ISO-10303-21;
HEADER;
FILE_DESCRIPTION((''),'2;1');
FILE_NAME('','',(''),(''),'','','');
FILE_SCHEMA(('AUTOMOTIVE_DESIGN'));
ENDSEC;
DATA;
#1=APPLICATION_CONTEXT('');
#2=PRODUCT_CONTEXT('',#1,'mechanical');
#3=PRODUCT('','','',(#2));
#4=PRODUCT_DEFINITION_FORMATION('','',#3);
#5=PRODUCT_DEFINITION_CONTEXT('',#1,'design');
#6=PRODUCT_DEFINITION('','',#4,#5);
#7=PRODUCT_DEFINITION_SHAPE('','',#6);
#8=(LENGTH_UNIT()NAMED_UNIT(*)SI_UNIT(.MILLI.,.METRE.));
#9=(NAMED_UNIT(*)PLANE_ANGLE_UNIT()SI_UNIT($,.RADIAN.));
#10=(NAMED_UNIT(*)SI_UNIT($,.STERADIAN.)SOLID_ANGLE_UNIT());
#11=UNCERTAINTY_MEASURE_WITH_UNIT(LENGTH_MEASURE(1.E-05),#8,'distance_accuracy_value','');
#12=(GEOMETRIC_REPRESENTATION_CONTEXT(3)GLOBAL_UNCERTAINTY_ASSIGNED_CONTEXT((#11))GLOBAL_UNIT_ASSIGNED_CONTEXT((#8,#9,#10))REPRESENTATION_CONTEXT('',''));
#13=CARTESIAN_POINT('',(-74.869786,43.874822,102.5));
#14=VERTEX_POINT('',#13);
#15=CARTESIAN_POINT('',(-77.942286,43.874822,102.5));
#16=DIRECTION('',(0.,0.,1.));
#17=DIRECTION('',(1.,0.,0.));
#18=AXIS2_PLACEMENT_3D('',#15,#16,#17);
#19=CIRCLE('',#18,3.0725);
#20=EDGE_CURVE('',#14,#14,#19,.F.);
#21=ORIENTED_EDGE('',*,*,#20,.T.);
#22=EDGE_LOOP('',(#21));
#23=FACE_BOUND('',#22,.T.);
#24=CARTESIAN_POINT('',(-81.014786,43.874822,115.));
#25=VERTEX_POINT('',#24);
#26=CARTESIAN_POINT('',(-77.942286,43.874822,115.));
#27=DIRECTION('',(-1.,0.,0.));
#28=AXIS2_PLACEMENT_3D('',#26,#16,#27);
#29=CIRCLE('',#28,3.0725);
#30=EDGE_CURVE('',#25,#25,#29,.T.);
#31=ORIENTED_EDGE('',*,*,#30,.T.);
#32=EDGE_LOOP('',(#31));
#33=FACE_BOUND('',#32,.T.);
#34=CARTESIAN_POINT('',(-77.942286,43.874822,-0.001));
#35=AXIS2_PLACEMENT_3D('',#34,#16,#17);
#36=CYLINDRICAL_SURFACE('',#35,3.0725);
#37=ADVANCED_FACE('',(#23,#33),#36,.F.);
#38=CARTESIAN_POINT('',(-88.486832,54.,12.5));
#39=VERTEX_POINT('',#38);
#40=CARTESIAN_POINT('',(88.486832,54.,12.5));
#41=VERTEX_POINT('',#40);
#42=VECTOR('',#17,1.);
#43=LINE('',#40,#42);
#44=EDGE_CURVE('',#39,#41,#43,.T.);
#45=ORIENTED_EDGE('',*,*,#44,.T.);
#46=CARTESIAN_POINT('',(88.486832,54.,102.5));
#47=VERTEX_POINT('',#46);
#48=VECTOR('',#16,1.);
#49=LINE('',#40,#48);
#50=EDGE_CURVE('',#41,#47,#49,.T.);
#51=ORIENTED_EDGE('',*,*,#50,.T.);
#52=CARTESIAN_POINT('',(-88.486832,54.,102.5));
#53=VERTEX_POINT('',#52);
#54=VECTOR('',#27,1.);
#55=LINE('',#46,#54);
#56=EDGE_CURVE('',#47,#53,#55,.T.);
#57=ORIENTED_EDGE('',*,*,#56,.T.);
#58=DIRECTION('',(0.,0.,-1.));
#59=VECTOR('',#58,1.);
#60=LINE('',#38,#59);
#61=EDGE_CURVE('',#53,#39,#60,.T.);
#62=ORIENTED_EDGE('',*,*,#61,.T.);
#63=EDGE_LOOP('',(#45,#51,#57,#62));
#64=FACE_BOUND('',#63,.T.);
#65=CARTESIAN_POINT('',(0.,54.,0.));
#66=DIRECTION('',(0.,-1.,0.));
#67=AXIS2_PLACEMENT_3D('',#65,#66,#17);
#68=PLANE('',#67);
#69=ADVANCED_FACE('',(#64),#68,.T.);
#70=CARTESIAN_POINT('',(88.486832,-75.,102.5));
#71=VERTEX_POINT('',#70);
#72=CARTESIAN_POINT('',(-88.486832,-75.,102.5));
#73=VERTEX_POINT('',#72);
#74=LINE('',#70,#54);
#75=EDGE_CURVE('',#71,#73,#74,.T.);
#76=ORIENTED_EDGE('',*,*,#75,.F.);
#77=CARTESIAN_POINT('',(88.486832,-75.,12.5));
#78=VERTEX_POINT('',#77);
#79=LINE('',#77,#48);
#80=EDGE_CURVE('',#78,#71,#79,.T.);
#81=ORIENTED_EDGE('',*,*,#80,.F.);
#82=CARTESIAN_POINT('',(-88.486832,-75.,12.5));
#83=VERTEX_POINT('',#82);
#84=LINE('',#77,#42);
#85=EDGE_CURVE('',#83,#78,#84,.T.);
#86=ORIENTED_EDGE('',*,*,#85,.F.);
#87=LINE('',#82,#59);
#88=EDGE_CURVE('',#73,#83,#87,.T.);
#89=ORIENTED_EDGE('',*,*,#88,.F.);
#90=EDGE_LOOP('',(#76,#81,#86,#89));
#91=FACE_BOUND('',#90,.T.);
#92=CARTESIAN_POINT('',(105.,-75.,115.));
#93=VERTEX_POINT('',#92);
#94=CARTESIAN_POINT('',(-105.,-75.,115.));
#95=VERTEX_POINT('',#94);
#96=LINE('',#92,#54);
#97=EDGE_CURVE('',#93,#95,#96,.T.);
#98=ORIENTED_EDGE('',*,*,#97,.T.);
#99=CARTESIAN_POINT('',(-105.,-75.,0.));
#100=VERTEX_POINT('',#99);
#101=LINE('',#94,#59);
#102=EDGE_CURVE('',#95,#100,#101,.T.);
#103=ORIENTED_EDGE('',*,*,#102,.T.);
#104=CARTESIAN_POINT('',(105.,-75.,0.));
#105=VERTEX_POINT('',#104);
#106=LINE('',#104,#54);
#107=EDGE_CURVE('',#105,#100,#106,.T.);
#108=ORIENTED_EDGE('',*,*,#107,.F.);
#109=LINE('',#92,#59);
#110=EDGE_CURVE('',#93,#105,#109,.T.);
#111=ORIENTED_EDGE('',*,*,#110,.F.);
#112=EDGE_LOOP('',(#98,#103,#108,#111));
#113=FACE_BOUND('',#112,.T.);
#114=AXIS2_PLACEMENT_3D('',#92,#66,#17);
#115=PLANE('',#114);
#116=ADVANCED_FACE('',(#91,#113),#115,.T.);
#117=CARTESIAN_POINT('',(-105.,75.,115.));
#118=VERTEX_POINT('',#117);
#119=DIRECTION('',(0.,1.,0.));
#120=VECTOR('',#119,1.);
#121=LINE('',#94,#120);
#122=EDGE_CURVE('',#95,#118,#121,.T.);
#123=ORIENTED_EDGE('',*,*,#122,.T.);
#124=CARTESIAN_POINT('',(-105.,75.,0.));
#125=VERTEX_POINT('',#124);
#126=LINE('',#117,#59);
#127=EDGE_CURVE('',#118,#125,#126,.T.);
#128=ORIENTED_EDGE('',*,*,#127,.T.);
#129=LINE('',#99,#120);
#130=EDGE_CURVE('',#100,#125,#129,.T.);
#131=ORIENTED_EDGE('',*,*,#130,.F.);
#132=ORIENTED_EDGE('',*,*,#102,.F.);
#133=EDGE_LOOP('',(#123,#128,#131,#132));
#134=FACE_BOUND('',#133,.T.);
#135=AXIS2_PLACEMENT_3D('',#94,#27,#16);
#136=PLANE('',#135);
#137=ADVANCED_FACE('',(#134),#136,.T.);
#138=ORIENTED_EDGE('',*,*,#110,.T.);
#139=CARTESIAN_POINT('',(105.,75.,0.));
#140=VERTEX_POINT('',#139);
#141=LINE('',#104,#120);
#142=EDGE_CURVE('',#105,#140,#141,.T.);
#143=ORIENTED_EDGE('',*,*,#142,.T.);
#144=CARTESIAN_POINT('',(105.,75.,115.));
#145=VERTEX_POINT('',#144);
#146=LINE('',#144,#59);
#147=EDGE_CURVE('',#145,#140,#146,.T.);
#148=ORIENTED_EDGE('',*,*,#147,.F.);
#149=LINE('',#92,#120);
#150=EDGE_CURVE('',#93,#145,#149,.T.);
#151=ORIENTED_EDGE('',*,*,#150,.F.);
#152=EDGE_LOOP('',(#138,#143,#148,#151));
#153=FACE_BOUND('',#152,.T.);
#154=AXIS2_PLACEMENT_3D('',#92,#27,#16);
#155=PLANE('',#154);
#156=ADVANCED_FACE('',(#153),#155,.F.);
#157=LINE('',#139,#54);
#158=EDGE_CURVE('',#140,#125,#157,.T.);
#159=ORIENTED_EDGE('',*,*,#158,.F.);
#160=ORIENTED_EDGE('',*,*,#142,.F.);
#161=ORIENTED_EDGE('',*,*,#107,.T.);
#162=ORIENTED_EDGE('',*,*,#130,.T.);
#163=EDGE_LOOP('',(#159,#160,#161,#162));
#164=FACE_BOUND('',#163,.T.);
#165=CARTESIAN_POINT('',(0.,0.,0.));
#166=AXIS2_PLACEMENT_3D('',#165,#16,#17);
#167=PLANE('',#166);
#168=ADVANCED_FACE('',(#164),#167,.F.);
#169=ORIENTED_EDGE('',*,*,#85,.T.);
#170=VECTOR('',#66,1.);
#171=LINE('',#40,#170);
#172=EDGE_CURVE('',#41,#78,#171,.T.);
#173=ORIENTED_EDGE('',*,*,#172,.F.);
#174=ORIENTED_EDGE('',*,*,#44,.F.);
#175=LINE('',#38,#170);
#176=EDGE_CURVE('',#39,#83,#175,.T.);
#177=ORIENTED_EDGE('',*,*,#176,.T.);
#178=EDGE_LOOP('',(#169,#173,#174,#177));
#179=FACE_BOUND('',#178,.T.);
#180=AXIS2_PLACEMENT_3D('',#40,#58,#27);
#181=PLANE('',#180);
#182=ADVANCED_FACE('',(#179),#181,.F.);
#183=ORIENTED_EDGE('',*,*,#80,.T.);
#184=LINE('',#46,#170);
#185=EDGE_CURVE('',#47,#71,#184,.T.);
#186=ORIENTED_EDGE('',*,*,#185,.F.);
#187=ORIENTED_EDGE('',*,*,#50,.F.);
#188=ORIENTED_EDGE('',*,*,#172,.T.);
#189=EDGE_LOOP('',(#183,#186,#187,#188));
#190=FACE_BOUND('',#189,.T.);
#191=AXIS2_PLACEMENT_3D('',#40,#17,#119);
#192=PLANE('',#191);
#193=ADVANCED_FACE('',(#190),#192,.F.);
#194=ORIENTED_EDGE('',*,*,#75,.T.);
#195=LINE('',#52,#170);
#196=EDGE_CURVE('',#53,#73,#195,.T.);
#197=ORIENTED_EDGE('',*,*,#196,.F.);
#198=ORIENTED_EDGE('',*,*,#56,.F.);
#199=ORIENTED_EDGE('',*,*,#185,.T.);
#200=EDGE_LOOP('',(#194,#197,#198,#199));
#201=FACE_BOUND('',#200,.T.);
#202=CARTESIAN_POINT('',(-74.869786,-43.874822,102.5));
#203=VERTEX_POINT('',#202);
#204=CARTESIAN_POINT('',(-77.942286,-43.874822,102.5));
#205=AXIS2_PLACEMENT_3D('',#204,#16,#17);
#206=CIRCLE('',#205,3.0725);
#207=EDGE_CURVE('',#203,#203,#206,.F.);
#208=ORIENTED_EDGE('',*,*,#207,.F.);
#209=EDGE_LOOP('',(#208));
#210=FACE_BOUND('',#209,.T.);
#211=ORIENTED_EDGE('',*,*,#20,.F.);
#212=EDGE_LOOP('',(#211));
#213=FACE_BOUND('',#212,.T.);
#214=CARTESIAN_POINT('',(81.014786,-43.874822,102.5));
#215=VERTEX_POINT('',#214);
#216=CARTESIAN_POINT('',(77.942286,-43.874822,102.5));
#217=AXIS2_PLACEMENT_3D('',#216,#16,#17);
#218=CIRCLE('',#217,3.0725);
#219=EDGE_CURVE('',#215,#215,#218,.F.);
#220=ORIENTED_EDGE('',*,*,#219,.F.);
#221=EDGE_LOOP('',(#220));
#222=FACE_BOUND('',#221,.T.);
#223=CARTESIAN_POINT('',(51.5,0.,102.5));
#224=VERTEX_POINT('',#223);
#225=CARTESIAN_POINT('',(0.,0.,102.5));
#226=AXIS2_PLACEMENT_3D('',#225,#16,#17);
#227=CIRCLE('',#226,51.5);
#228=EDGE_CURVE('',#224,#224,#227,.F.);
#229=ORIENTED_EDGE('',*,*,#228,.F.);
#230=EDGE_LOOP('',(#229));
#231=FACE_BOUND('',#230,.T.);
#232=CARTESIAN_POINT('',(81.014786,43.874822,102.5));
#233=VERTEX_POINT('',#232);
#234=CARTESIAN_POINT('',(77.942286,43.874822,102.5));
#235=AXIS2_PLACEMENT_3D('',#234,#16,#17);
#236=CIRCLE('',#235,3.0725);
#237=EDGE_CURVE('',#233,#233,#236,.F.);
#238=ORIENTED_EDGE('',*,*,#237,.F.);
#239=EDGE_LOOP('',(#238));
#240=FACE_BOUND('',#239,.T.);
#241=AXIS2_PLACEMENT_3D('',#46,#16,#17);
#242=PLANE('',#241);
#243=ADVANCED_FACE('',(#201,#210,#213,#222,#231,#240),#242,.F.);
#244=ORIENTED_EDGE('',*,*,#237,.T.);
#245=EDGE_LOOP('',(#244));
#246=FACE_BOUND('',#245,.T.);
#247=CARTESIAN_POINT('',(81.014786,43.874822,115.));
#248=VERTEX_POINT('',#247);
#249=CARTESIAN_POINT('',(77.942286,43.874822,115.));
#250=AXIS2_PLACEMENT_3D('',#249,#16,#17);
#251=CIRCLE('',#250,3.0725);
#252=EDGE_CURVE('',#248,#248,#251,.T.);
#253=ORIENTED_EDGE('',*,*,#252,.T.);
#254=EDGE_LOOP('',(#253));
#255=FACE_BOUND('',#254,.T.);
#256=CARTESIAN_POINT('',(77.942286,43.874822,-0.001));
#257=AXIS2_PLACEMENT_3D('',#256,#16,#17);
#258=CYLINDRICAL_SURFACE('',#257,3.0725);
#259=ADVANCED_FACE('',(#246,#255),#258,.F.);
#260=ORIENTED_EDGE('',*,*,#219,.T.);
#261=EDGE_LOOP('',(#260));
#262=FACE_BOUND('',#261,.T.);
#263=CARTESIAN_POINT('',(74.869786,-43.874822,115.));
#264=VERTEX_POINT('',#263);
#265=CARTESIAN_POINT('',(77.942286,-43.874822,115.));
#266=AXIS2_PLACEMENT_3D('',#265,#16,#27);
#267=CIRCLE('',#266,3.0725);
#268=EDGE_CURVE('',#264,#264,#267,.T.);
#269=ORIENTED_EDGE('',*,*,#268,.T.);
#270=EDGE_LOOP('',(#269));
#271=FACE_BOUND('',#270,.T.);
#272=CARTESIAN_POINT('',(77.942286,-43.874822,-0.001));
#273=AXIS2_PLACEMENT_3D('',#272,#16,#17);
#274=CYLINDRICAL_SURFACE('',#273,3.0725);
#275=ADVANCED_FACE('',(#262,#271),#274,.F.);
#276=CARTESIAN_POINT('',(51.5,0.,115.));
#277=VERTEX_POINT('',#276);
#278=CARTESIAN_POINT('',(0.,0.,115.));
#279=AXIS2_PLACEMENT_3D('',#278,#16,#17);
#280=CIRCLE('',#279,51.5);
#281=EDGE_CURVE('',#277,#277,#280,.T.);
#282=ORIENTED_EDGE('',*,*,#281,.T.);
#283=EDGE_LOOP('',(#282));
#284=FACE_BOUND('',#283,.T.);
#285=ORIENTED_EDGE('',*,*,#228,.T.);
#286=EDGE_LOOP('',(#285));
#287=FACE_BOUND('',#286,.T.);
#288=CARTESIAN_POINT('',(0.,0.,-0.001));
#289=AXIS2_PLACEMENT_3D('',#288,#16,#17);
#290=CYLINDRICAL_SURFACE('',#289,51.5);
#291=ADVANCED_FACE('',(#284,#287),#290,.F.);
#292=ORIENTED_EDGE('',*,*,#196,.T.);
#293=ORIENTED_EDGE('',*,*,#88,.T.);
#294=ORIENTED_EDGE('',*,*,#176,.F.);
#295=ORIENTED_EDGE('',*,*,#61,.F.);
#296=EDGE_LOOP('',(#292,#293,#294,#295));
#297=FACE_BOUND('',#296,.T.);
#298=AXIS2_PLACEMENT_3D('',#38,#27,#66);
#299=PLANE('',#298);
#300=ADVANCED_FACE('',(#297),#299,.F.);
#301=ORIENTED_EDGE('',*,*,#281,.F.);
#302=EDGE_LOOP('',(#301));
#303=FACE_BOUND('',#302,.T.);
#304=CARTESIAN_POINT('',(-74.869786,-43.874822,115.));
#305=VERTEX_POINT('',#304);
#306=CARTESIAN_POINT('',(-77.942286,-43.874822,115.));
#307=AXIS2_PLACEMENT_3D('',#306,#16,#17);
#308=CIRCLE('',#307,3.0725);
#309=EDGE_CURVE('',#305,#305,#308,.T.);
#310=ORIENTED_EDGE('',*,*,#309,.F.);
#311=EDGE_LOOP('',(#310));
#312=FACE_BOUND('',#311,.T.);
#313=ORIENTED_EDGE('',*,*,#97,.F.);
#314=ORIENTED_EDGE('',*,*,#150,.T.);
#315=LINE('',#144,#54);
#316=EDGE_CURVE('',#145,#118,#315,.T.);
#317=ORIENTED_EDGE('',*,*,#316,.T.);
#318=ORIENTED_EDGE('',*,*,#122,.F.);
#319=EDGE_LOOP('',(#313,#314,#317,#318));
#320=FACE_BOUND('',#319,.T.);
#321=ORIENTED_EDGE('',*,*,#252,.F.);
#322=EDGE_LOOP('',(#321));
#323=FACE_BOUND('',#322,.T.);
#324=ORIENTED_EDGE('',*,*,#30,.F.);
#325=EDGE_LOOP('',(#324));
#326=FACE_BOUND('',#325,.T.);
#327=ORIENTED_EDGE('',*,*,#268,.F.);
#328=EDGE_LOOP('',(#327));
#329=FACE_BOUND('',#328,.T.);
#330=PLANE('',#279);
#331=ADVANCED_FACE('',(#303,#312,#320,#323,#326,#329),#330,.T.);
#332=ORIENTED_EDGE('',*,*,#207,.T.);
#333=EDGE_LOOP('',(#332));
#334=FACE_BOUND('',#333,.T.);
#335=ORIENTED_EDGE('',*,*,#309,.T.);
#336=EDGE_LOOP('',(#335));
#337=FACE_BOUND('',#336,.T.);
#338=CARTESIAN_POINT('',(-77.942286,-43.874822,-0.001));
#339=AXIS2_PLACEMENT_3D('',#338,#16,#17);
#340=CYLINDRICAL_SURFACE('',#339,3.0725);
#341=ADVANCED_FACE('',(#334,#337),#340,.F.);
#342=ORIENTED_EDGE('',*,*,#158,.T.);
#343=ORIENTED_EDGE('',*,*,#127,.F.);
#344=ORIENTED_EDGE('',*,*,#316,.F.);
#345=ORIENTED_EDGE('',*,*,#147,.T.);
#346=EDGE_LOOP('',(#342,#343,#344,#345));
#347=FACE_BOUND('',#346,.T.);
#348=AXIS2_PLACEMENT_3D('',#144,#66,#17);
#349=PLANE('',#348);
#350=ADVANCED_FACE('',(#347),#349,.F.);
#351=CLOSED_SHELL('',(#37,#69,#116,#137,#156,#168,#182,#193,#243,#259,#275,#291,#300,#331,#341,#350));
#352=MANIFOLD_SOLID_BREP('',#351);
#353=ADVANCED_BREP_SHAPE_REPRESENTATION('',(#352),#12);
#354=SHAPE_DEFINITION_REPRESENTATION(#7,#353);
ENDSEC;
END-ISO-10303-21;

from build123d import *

# Parameters (mm, degrees)
SKETCH1_W           = 210
SKETCH1_H           = 150
BOSS_EXTRUDE1_DEPTH = 115
SKETCH3_W           = 176.973663014
SKETCH3_H           = 90
CUT_EXTRUDE1_DEPTH  = 129
CUT_EXTRUDE2_REACH  = 174.844
SKETCH4_R           = 3.0725
CUT_EXTRUDE3_REACH  = 174.844
SKETCH5_R           = 51.5


with BuildPart() as part:
    # Sketch1 → Boss-Extrude1 (new body)
    with BuildSketch(Plane.XY):
        Rectangle(SKETCH1_W, SKETCH1_H)
    extrude(amount=BOSS_EXTRUDE1_DEPTH)

    # Sketch3 → Cut-Extrude1 (cut)
    with BuildSketch(Plane.XZ.offset(75)):
        with Locations((0, 57.5)):
            Rectangle(SKETCH3_W, SKETCH3_H)
    extrude(amount=-CUT_EXTRUDE1_DEPTH, mode=Mode.SUBTRACT)

    # Sketch4 → Cut-Extrude2 (cut, up to next)
    with BuildSketch(Plane.XY.offset(115), mode=Mode.PRIVATE) as cut_extrude2_sk1:
        with Locations((77.942286341, 43.874821937)):
            Circle(SKETCH4_R)
    cut_extrude2_tool1 = extrude(cut_extrude2_sk1.sketch, amount=-CUT_EXTRUDE2_REACH, mode=Mode.PRIVATE) & part.part
    # Sketch4 → Cut-Extrude2 (cut, up to next)
    with BuildSketch(Plane.XY.offset(115), mode=Mode.PRIVATE) as cut_extrude2_sk2:
        with Locations((-77.942286341, 43.874821937)):
            Circle(SKETCH4_R)
    cut_extrude2_tool2 = extrude(cut_extrude2_sk2.sketch, amount=-CUT_EXTRUDE2_REACH, mode=Mode.PRIVATE) & part.part
    # Sketch4 → Cut-Extrude2 (cut, up to next)
    with BuildSketch(Plane.XY.offset(115), mode=Mode.PRIVATE) as cut_extrude2_sk3:
        with Locations((-77.942286341, -43.874821937)):
            Circle(SKETCH4_R)
    cut_extrude2_tool3 = extrude(cut_extrude2_sk3.sketch, amount=-CUT_EXTRUDE2_REACH, mode=Mode.PRIVATE) & part.part
    # Sketch4 → Cut-Extrude2 (cut, up to next)
    with BuildSketch(Plane.XY.offset(115), mode=Mode.PRIVATE) as cut_extrude2_sk4:
        with Locations((77.942286341, -43.874821937)):
            Circle(SKETCH4_R)
    cut_extrude2_tool4 = extrude(cut_extrude2_sk4.sketch, amount=-CUT_EXTRUDE2_REACH, mode=Mode.PRIVATE) & part.part
    add(cut_extrude2_tool1.solids().sort_by_distance((77.942286, 43.874822, 115))[0], mode=Mode.SUBTRACT)
    add(cut_extrude2_tool2.solids().sort_by_distance((-77.942286, 43.874822, 115))[0], mode=Mode.SUBTRACT)
    add(cut_extrude2_tool3.solids().sort_by_distance((-77.942286, -43.874822, 115))[0], mode=Mode.SUBTRACT)
    add(cut_extrude2_tool4.solids().sort_by_distance((77.942286, -43.874822, 115))[0], mode=Mode.SUBTRACT)

    # Sketch5 → Cut-Extrude3 (cut, up to next)
    with BuildSketch(Plane.XY.offset(115), mode=Mode.PRIVATE) as cut_extrude3_sk1:
        Circle(SKETCH5_R)
    cut_extrude3_tool1 = extrude(cut_extrude3_sk1.sketch, amount=-CUT_EXTRUDE3_REACH, mode=Mode.PRIVATE) & part.part
    add(cut_extrude3_tool1.solids().sort_by_distance((0, 0, 115))[0], mode=Mode.SUBTRACT)


solid = part.part
